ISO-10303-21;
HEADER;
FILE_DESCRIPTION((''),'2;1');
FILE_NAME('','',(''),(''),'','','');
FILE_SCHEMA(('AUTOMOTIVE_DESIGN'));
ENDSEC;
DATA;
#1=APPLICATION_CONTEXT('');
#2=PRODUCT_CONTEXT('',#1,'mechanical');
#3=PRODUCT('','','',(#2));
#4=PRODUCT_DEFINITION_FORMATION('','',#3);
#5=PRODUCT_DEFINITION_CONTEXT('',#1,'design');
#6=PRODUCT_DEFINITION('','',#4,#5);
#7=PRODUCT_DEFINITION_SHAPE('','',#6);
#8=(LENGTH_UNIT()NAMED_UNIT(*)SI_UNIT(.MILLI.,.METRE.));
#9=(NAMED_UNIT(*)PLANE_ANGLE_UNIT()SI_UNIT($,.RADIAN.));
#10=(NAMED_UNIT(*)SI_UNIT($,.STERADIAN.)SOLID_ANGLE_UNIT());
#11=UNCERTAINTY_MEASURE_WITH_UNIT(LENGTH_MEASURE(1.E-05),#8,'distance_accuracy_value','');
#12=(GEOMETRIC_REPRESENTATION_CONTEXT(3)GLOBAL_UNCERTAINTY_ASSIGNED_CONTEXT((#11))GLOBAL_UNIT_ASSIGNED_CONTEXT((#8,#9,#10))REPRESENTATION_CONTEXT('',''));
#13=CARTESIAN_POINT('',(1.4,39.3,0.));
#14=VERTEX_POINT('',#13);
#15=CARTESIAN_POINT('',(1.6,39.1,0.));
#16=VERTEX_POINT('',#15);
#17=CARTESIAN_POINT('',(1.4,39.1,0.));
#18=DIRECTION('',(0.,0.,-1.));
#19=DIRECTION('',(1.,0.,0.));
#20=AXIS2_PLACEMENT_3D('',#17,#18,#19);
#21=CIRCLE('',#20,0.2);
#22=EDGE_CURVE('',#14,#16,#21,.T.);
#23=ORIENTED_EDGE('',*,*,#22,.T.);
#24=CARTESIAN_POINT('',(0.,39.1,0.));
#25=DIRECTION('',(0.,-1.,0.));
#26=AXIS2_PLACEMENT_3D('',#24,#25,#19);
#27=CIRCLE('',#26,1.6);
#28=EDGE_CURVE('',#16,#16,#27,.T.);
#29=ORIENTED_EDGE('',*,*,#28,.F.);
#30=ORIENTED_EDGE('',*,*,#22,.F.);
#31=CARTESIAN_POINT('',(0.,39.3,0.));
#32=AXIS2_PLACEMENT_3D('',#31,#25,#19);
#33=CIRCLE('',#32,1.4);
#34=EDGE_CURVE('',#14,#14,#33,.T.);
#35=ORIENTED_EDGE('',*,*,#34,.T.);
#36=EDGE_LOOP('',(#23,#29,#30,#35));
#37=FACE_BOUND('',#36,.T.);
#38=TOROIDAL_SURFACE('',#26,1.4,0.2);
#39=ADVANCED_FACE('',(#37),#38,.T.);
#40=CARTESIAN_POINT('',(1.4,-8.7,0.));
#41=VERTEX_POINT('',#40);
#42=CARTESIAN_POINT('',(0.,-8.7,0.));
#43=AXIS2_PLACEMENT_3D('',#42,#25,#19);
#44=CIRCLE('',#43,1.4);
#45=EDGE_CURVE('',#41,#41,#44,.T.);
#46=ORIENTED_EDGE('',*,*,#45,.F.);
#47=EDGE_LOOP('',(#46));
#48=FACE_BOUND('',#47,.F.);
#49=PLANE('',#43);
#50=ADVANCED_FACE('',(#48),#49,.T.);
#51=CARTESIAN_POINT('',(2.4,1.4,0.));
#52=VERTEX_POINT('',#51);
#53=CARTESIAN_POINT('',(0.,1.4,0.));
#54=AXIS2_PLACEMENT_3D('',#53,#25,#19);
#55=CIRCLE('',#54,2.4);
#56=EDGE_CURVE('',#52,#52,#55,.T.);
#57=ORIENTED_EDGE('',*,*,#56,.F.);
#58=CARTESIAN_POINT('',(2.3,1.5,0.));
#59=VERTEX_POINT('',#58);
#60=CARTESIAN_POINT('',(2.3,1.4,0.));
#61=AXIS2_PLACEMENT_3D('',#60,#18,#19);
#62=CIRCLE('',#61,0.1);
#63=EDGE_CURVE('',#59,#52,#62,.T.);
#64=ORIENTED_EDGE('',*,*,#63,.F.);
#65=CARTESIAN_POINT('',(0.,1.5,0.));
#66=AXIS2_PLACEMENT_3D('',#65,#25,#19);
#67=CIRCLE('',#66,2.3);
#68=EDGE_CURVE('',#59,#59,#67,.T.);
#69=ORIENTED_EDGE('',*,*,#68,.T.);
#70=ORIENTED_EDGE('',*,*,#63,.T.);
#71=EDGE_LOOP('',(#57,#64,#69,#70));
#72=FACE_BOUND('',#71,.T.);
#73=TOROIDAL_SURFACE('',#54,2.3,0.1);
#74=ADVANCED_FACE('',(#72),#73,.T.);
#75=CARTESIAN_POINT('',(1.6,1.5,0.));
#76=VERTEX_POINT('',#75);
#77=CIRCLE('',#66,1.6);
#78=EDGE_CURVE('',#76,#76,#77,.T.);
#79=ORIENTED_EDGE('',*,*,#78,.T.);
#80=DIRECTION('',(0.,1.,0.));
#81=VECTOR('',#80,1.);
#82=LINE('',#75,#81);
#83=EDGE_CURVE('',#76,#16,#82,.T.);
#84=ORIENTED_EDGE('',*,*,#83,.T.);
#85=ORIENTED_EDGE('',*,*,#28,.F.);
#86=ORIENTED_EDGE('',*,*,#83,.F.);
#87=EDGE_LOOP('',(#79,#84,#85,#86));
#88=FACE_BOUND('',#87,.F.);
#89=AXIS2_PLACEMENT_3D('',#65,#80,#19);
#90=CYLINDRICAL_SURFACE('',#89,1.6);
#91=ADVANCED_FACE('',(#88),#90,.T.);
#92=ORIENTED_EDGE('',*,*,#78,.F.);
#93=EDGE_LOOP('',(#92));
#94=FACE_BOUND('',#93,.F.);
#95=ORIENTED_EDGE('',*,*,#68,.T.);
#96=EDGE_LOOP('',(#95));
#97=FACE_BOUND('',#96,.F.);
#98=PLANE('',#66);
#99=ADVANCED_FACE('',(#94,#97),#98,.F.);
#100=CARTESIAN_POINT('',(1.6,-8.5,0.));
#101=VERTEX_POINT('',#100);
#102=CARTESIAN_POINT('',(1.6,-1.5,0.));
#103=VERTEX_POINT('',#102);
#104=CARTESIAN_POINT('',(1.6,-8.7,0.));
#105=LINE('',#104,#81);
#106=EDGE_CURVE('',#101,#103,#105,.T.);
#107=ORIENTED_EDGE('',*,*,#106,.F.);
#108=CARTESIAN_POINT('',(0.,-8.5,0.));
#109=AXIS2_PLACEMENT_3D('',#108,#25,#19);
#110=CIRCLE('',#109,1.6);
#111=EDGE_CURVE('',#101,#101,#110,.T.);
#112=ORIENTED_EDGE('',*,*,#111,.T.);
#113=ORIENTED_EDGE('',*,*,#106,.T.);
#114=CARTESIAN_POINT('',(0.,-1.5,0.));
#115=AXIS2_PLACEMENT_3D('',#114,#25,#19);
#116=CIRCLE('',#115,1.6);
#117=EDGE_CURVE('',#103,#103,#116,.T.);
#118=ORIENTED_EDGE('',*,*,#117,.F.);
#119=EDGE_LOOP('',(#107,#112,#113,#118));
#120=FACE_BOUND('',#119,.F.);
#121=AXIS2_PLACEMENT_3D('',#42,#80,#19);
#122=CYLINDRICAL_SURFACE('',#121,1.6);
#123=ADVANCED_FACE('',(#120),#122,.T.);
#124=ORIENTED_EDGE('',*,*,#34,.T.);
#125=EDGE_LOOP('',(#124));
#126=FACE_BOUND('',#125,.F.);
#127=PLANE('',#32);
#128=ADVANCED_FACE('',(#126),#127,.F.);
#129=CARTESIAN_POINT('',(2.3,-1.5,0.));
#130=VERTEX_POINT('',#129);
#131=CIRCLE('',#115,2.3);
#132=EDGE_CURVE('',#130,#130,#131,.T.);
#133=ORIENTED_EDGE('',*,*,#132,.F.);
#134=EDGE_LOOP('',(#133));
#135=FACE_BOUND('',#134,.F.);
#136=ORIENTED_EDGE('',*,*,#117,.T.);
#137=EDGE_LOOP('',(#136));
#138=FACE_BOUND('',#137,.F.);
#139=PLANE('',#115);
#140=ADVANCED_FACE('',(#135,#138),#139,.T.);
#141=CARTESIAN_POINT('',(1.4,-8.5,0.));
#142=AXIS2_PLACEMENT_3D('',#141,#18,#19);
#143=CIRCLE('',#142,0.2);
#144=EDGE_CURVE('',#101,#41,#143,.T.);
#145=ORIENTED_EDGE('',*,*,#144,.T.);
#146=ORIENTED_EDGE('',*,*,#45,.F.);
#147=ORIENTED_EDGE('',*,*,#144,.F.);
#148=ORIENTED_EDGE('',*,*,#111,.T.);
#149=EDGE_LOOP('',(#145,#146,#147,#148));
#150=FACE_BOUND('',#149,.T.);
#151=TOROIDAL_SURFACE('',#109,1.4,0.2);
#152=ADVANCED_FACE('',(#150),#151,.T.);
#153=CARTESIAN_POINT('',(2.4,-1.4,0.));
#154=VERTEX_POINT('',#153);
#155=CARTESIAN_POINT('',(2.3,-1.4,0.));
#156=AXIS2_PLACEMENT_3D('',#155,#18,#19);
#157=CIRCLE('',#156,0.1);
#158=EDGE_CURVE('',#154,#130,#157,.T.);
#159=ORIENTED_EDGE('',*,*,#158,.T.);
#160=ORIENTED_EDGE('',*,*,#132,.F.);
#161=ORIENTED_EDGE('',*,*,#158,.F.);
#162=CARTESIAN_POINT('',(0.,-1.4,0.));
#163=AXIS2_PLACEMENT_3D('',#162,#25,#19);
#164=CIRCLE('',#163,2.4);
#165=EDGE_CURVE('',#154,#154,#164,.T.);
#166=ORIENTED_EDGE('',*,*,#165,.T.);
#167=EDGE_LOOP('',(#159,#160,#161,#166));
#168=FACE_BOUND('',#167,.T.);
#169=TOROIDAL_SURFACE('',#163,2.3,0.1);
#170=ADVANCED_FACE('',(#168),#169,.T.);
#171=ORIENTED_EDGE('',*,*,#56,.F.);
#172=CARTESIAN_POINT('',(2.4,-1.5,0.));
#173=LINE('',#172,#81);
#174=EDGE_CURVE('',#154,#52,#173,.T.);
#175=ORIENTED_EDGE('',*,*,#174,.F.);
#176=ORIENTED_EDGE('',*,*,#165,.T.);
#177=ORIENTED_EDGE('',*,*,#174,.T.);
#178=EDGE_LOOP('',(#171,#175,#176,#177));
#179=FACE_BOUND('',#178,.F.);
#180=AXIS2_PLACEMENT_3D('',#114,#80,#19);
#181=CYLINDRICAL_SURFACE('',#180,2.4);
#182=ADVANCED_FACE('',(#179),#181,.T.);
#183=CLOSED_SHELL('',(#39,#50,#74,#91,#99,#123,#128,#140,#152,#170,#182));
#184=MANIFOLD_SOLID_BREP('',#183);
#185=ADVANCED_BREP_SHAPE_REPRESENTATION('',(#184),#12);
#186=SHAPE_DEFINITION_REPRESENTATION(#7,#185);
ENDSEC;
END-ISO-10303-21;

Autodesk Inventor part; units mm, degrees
ref_plane "YZ Plane" through (0, 0, 0) normal (1, 0, 0) x (0, 1, 0)
ref_plane "XZ Plane" through (0, 0, 0) normal (0, 1, 0) x (-1, 0, 0)
ref_plane "XY Plane" through (0, 0, 0) normal (0, 0, 1) x (1, 0, 0)
sketch "Sketch1" plane through (0, 0, 0) normal (0, 0, 1) x (1, 0, 0)
  line L0 (0, -8.7) -> (1.6, -8.7)
  line L1 (1.6, -8.7) -> (1.6, -1.5)
  line L2 (1.6, -1.5) -> (2.4, -1.5)
  line L3 (2.4, -1.5) -> (2.4, 1.5)
  line L4 (2.4, 1.5) -> (1.6, 1.5)
  line L5 (1.6, 1.5) -> (1.6, 39.3)
  line L6 (1.6, 39.3) -> (0, 39.3)
  line L7 (0, 39.3) -> (0, -8.7)
  point P0 (0, 0)
  point P1 (2.4, 0)
  dimension "d1" = 48
  dimension "d2" = 3.2
  dimension "d3" = 3
  dimension "d4" = 4.8
  dimension "d5" = 7.2
revolve "Revolution1" add sketch "Sketch1" angle 360 about axis through (0, 39.3, 0) along (0, -1, 0)
fillet "Fillet1" radius 0.1 2 edges at (-2.4, 1.5, 0) (-2.4, -1.5, 0)
fillet "Fillet1" radius 0.2 2 edges at (-1.6, 39.3, 0) (-1.6, -8.7, 0)
equation "\"d1\" = 6 * lu"
equation "\"d2\" = rd"
equation "\"d4\" = kd"
equation "\"d7\" = lf"
equation "\"lu\" = 8"
equation "\"rd\" = 3.2"
equation "\"kd\" = 4.8"
equation "\"lf\" = 0.1"
properties part number "63965-LtBluishGray" material "ABS Plastic"
